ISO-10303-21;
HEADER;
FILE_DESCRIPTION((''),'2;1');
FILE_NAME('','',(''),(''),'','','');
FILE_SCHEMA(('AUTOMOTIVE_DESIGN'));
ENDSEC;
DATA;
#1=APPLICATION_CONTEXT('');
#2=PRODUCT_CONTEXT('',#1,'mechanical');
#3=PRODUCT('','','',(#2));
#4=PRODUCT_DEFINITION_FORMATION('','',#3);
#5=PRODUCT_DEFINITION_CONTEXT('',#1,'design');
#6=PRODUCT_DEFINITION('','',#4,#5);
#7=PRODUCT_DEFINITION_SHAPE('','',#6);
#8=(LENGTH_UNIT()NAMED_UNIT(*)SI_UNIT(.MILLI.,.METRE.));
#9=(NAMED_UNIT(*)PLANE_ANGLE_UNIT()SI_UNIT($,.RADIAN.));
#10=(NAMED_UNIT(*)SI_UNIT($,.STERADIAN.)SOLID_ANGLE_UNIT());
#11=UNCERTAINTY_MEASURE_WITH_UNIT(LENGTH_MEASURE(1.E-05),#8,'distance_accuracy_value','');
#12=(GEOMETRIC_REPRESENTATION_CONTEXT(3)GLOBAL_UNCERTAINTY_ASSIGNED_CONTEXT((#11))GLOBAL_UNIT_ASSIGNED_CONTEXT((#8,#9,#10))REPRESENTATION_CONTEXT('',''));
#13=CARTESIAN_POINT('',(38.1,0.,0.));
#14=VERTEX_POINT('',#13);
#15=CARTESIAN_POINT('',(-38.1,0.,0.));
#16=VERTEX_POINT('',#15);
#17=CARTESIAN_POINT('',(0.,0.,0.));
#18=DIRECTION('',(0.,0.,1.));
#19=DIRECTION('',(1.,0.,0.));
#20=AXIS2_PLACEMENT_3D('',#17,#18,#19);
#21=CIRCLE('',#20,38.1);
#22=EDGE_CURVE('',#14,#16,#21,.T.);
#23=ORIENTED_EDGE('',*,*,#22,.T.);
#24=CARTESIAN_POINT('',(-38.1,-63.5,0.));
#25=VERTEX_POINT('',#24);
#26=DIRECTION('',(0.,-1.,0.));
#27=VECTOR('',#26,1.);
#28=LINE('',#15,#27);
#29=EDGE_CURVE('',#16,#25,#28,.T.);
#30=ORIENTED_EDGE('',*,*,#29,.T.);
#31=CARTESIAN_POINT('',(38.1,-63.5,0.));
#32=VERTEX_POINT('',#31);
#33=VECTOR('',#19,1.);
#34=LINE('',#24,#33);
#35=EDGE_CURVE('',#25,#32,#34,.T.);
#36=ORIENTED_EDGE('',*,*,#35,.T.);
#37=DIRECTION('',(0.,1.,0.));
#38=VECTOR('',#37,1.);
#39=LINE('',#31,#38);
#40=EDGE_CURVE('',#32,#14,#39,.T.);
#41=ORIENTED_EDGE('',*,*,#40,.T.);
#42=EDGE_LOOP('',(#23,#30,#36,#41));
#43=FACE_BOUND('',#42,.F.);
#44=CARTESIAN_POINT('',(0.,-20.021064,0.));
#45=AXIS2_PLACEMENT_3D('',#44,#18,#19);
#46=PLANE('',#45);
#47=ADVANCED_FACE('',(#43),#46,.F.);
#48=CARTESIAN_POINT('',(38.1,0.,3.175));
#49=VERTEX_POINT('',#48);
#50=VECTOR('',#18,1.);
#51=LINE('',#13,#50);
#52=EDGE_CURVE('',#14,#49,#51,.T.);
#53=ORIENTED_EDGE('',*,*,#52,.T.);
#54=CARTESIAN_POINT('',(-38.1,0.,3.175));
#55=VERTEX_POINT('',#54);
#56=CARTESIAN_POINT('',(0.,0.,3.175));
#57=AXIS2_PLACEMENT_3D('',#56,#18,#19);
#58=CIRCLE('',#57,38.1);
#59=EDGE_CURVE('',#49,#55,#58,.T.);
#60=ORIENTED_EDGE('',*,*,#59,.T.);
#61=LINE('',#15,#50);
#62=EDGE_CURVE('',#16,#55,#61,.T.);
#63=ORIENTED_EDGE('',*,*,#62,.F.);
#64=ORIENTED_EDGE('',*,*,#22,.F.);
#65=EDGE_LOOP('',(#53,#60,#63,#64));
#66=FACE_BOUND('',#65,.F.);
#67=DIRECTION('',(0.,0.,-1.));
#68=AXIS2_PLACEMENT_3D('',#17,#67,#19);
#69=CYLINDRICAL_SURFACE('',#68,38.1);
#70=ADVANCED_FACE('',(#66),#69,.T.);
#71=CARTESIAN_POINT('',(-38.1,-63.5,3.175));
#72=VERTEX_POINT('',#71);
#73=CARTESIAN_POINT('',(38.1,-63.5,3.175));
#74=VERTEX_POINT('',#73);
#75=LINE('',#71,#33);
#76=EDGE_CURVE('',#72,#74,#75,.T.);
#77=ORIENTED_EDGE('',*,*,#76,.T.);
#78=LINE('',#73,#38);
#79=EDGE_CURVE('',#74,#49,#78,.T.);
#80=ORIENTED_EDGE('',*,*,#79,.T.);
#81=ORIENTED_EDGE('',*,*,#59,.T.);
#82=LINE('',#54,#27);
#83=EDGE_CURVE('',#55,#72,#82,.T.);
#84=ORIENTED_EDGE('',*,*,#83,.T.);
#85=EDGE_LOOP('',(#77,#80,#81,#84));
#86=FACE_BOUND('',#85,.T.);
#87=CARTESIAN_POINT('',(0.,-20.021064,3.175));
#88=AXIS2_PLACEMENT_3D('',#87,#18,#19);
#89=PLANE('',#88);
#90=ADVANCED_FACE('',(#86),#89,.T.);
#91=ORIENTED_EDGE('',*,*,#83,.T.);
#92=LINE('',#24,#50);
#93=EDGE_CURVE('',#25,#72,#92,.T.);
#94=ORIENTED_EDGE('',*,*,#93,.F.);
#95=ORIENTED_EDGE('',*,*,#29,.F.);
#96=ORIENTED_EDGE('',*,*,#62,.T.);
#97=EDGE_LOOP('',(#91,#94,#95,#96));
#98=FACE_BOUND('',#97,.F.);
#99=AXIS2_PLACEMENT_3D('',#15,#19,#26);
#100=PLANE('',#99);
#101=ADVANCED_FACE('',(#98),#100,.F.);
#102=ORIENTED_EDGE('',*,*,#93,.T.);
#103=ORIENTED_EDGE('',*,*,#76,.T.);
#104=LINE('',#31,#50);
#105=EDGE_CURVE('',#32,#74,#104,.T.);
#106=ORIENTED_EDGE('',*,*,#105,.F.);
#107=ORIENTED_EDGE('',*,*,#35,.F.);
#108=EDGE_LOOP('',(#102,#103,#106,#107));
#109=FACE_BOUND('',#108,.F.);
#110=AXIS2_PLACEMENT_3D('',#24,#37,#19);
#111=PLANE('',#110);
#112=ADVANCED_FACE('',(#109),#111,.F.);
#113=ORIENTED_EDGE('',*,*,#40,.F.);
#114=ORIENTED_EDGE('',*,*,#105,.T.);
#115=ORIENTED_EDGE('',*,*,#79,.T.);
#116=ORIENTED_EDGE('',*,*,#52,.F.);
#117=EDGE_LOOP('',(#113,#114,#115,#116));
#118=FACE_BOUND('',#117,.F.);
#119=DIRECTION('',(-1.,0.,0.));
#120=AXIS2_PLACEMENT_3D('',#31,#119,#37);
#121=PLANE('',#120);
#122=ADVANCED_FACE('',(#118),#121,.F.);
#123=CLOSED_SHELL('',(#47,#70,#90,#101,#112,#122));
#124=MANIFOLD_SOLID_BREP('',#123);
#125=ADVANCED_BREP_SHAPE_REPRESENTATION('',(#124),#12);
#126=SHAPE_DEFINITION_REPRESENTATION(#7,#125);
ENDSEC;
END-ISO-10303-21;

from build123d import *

# Parameters (mm, degrees)
F1_DEPTH = 3.175
F2_DEPTH = 3.175


with BuildPart() as f1:
    # F0 (on Top) → F1 (new body)
    with BuildSketch(Plane.XY):
        with BuildLine():
            Line((34.925, -60.325), (34.925, 0))
            ThreePointArc((34.925, 0), (0, 34.925), (-34.925, 0))
            Line((-34.925, 0), (-34.925, -60.325))
            Line((-34.925, -60.325), (34.925, -60.325))
        make_face()
    extrude(amount=F1_DEPTH)

    # F0 (on Top) → F2 (join)
    with BuildSketch(Plane.XY):
        with BuildLine():
            Line((38.1, -63.5), (38.1, 0))
            ThreePointArc((38.1, 0), (0, 38.1), (-38.1, 0))
            Line((-38.1, 0), (-38.1, -63.5))
            Line((-38.1, -63.5), (38.1, -63.5))
        make_face()
        with BuildLine():
            ThreePointArc((-34.925, 0), (0, 34.925), (34.925, 0))
            Line((34.925, 0), (34.925, -60.325))
            Line((34.925, -60.325), (-34.925, -60.325))
            Line((-34.925, -60.325), (-34.925, 0))
        make_face(mode=Mode.SUBTRACT)
    extrude(amount=F2_DEPTH)


solid = f1.part
